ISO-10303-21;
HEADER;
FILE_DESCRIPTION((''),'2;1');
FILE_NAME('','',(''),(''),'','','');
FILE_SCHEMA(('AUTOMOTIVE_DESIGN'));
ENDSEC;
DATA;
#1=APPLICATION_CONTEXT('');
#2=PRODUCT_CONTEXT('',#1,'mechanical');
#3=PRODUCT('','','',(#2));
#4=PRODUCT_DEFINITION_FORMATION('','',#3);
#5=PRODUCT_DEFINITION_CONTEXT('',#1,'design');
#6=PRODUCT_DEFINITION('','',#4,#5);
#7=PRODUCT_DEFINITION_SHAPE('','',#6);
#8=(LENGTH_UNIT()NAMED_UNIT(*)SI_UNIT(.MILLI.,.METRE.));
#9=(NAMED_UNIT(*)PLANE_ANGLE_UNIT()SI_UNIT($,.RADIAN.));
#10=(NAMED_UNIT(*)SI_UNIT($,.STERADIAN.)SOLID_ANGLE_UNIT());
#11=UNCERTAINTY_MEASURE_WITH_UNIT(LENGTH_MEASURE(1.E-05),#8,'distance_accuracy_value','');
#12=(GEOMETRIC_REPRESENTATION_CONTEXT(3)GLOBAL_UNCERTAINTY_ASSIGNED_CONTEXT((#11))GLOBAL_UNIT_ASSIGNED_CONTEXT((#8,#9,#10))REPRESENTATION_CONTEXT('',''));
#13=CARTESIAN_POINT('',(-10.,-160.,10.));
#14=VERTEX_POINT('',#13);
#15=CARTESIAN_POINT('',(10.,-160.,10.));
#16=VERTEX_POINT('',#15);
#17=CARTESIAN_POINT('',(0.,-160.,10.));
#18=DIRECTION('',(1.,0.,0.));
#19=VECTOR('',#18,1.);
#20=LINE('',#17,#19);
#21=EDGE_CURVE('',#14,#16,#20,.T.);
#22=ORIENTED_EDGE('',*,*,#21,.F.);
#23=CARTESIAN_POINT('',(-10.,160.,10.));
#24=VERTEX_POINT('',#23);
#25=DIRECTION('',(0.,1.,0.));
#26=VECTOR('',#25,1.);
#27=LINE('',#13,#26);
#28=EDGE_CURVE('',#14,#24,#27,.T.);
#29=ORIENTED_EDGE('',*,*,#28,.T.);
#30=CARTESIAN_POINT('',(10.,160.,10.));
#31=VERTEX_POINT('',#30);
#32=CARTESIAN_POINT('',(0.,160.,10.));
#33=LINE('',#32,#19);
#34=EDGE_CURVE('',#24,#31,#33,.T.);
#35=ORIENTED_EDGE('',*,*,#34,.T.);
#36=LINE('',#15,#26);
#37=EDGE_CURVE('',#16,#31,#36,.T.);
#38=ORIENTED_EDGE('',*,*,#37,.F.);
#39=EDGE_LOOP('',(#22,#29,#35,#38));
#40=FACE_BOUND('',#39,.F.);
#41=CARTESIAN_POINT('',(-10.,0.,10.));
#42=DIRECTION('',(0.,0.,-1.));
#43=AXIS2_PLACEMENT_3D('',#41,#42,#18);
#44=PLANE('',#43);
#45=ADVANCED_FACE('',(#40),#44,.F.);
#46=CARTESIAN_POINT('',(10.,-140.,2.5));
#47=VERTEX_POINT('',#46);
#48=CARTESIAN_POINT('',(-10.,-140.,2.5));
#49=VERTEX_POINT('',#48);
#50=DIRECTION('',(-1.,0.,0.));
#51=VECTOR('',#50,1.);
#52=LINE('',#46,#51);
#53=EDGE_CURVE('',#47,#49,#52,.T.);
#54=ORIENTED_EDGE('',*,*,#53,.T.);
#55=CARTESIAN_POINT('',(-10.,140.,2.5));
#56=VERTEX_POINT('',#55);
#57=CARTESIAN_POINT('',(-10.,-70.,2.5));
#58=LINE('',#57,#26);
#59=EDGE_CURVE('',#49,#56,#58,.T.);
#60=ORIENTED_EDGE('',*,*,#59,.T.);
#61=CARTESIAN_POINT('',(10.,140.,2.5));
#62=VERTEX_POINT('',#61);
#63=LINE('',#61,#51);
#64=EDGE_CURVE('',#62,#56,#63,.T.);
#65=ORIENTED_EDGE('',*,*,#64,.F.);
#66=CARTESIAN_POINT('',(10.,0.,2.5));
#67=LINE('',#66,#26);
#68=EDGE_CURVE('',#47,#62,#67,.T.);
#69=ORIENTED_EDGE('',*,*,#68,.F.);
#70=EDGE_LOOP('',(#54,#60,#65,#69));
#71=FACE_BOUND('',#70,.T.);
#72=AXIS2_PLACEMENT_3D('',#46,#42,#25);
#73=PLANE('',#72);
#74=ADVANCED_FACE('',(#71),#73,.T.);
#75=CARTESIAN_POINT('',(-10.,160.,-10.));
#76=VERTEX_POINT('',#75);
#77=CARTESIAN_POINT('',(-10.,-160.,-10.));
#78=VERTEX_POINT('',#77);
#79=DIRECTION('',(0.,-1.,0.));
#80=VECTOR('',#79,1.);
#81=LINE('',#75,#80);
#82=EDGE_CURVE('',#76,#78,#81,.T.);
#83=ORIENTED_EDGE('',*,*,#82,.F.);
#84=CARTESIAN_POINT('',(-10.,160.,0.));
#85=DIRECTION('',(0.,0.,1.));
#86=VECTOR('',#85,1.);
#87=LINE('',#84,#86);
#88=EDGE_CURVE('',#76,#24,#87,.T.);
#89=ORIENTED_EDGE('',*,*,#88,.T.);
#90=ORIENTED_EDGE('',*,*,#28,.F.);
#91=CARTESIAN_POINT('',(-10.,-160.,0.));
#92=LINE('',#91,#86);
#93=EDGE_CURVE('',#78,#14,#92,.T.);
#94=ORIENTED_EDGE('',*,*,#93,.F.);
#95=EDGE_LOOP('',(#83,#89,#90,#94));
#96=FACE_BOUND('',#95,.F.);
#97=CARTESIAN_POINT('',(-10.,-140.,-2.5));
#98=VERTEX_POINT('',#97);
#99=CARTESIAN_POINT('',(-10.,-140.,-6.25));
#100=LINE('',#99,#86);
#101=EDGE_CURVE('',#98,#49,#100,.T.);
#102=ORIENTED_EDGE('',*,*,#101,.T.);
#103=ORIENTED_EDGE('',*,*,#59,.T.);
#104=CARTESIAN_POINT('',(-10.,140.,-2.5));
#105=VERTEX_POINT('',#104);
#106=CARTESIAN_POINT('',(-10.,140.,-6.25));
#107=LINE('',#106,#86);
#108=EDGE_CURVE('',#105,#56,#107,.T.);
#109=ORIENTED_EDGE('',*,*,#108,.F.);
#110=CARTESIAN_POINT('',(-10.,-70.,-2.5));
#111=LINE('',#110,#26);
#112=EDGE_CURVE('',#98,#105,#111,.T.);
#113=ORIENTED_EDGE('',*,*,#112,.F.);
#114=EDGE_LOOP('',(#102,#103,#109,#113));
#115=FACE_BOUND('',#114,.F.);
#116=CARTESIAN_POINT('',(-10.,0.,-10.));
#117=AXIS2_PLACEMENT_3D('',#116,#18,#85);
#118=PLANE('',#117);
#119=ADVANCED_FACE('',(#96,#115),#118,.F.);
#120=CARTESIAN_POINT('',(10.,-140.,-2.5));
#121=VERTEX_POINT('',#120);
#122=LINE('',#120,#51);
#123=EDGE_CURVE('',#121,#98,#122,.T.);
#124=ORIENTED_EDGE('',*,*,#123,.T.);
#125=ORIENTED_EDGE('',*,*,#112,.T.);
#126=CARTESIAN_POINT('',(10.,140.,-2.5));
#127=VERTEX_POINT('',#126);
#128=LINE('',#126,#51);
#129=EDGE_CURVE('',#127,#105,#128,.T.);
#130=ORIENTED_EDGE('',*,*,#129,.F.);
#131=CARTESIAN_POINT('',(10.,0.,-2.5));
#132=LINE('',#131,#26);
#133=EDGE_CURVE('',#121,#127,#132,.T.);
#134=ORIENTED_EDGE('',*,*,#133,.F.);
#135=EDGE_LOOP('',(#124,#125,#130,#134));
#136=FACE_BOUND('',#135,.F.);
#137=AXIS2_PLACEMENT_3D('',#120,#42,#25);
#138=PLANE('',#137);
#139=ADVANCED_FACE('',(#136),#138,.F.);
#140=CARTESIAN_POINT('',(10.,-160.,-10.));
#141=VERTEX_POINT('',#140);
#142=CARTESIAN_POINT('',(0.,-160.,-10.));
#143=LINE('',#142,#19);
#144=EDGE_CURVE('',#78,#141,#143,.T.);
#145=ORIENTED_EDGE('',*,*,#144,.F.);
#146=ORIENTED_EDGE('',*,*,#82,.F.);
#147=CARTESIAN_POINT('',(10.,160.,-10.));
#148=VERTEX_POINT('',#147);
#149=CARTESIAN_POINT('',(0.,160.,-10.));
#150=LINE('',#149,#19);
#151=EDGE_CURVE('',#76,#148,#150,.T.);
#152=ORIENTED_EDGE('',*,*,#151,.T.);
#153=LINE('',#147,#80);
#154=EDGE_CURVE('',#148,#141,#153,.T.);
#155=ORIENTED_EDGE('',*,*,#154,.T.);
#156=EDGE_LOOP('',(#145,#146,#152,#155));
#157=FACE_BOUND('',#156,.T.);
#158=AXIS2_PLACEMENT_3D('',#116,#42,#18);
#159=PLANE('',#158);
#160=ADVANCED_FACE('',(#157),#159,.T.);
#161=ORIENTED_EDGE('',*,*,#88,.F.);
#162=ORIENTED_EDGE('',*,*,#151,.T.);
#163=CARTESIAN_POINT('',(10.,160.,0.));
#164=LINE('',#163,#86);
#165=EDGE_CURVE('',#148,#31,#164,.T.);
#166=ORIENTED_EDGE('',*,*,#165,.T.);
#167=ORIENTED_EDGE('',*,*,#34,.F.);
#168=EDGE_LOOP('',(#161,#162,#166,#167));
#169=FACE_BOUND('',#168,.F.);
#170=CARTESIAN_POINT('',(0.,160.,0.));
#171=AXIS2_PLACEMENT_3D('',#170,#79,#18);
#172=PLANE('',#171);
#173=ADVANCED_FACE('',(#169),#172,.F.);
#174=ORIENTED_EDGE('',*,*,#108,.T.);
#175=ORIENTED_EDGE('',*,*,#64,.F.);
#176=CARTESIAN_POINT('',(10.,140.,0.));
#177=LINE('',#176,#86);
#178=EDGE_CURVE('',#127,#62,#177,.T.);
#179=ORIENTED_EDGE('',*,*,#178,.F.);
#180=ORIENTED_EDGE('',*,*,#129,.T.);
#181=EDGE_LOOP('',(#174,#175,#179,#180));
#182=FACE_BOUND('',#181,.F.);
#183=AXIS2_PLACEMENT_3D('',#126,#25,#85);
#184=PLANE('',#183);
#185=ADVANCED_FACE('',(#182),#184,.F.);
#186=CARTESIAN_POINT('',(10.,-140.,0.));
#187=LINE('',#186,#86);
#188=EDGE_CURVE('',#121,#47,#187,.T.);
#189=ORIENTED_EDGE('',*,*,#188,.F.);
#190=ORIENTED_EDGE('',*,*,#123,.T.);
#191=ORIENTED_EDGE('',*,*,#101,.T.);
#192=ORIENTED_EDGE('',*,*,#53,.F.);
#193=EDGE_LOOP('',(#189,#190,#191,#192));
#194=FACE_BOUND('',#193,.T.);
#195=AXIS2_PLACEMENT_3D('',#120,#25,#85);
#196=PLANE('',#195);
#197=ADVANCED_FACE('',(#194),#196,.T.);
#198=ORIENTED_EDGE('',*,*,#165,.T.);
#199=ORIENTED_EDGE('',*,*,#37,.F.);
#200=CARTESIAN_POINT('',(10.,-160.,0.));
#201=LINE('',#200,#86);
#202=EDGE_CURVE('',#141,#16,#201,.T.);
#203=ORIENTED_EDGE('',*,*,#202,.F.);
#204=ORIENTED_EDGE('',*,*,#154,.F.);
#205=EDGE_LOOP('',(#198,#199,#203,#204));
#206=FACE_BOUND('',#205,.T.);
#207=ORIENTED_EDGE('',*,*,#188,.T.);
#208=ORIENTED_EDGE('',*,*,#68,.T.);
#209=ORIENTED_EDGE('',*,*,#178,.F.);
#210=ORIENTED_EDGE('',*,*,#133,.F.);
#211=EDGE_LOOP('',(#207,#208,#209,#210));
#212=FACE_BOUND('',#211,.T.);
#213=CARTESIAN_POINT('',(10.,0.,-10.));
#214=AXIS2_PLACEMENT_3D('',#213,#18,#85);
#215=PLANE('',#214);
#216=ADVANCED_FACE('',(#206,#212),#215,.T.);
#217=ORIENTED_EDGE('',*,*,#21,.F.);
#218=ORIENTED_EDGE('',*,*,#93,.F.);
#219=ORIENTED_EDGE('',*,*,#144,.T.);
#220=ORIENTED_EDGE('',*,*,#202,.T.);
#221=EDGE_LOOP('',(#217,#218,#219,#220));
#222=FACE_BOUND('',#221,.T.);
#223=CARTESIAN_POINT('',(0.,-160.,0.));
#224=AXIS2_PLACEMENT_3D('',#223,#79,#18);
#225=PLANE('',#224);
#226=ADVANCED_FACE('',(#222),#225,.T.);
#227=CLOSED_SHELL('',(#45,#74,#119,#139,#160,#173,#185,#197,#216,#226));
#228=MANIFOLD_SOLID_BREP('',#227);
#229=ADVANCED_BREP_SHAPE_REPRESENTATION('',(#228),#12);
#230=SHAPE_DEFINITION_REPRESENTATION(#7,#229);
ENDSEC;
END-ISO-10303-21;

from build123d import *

# Parameters (mm, degrees)
F0_W     = 20
F0_H     = 20
F1_DEPTH = 160
F2_W     = 280
F2_H     = 5
F3_DEPTH = 25


with BuildPart() as f1:
    # F0 (on Front) → F1 (new body, symmetric)
    with BuildSketch(Plane.XZ):
        Rectangle(F0_W, F0_H)
    extrude(amount=F1_DEPTH, both=True)

    # F2 (on face) → F3 (cut)
    with BuildSketch(Plane.YZ.offset(10)):
        Rectangle(F2_W, F2_H)
    extrude(amount=-F3_DEPTH, mode=Mode.SUBTRACT)


solid = f1.part
